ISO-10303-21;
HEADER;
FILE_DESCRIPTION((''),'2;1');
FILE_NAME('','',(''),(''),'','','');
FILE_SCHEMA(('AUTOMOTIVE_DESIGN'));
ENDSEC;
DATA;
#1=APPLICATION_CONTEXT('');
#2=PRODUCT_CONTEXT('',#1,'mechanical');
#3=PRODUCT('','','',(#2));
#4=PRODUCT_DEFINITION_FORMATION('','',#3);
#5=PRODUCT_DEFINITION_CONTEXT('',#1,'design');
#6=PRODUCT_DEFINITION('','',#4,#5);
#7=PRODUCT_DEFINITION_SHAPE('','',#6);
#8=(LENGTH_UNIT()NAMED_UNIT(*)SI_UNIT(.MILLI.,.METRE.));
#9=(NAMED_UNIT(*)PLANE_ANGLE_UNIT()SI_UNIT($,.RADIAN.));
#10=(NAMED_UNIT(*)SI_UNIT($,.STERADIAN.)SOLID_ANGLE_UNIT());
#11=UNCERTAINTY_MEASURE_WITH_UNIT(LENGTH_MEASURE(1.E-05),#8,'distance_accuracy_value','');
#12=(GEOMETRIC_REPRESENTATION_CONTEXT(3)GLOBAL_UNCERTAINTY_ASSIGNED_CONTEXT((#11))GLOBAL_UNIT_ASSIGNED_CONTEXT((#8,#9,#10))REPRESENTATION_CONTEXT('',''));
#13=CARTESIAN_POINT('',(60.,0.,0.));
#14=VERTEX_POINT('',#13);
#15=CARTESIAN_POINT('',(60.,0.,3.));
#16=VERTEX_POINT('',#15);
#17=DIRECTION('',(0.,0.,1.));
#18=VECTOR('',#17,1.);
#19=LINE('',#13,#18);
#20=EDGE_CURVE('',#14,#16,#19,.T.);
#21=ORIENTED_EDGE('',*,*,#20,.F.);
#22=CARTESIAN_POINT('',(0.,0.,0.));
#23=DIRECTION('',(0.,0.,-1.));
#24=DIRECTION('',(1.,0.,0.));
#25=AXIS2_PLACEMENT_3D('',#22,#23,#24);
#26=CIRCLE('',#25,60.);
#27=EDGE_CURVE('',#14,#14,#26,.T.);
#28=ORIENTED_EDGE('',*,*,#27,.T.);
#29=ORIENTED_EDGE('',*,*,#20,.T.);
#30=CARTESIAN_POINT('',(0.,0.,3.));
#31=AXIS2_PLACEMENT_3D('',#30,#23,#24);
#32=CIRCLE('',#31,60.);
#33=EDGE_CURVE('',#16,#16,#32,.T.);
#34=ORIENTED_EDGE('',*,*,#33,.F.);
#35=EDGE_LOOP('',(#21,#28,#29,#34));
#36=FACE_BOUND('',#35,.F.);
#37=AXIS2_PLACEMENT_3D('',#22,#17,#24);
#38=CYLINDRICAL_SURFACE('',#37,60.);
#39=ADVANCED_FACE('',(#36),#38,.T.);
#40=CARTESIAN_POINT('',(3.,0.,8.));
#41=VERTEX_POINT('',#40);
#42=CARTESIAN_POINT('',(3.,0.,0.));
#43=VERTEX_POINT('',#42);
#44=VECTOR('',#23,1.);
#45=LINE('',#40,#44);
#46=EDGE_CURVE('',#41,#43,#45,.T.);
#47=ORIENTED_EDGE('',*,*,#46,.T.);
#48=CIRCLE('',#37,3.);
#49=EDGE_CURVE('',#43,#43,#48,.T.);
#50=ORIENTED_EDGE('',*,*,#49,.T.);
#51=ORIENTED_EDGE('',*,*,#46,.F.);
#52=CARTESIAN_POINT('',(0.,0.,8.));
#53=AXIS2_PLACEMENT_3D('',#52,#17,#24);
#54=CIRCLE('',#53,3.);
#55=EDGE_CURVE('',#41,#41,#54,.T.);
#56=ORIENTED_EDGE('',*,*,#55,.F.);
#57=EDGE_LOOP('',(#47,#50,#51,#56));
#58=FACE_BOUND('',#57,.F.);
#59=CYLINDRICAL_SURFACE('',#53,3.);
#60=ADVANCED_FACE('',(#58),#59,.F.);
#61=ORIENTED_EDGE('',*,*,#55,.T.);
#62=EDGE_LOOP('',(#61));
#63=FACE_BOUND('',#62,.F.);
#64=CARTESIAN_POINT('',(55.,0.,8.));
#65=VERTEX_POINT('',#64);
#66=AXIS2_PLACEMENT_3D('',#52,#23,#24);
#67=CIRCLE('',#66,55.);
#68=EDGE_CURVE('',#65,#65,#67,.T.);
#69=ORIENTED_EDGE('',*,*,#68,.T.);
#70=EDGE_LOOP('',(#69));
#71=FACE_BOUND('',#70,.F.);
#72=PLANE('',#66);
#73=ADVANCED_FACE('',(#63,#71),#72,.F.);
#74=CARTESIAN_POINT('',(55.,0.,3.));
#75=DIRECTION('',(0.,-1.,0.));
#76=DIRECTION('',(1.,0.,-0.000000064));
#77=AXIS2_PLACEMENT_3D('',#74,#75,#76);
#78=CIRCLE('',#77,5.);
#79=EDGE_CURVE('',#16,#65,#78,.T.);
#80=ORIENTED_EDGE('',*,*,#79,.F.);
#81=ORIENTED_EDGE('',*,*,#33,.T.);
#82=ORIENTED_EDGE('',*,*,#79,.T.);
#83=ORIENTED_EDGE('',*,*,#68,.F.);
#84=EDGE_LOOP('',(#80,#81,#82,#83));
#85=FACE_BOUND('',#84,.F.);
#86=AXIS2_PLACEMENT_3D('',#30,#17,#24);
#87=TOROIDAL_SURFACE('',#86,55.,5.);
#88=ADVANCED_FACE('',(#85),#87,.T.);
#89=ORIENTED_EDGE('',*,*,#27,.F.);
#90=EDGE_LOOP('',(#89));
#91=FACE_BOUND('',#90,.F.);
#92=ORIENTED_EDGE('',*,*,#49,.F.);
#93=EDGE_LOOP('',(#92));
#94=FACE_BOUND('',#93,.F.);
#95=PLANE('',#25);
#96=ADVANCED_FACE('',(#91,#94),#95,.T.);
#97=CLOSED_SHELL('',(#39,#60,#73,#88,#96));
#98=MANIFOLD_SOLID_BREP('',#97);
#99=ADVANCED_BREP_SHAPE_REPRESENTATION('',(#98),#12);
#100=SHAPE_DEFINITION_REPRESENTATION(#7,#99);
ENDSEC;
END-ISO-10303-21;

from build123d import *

# Parameters (mm, degrees)
F2_R     = 3
F3_DEPTH = 25


with BuildPart() as f1:
    # F0 (on Front) → F1 (revolve)
    with BuildSketch(Plane.XZ):
        with BuildLine():
            ThreePointArc((60, 3), (58.535534, 6.535534), (55, 8))
            Line((55, 8), (0, 8))
            Line((0, 8), (0, 0))
            Line((0, 0), (60, 0))
            Line((60, 0), (60, 3))
        make_face()
    revolve(axis=Axis((0, 0, 4), (0, 0, -1)))

    # F2 (on face) → F3 (cut)
    with BuildSketch(Plane.XY.offset(8)):
        Circle(F2_R)
    extrude(amount=-F3_DEPTH, mode=Mode.SUBTRACT)


solid = f1.part
